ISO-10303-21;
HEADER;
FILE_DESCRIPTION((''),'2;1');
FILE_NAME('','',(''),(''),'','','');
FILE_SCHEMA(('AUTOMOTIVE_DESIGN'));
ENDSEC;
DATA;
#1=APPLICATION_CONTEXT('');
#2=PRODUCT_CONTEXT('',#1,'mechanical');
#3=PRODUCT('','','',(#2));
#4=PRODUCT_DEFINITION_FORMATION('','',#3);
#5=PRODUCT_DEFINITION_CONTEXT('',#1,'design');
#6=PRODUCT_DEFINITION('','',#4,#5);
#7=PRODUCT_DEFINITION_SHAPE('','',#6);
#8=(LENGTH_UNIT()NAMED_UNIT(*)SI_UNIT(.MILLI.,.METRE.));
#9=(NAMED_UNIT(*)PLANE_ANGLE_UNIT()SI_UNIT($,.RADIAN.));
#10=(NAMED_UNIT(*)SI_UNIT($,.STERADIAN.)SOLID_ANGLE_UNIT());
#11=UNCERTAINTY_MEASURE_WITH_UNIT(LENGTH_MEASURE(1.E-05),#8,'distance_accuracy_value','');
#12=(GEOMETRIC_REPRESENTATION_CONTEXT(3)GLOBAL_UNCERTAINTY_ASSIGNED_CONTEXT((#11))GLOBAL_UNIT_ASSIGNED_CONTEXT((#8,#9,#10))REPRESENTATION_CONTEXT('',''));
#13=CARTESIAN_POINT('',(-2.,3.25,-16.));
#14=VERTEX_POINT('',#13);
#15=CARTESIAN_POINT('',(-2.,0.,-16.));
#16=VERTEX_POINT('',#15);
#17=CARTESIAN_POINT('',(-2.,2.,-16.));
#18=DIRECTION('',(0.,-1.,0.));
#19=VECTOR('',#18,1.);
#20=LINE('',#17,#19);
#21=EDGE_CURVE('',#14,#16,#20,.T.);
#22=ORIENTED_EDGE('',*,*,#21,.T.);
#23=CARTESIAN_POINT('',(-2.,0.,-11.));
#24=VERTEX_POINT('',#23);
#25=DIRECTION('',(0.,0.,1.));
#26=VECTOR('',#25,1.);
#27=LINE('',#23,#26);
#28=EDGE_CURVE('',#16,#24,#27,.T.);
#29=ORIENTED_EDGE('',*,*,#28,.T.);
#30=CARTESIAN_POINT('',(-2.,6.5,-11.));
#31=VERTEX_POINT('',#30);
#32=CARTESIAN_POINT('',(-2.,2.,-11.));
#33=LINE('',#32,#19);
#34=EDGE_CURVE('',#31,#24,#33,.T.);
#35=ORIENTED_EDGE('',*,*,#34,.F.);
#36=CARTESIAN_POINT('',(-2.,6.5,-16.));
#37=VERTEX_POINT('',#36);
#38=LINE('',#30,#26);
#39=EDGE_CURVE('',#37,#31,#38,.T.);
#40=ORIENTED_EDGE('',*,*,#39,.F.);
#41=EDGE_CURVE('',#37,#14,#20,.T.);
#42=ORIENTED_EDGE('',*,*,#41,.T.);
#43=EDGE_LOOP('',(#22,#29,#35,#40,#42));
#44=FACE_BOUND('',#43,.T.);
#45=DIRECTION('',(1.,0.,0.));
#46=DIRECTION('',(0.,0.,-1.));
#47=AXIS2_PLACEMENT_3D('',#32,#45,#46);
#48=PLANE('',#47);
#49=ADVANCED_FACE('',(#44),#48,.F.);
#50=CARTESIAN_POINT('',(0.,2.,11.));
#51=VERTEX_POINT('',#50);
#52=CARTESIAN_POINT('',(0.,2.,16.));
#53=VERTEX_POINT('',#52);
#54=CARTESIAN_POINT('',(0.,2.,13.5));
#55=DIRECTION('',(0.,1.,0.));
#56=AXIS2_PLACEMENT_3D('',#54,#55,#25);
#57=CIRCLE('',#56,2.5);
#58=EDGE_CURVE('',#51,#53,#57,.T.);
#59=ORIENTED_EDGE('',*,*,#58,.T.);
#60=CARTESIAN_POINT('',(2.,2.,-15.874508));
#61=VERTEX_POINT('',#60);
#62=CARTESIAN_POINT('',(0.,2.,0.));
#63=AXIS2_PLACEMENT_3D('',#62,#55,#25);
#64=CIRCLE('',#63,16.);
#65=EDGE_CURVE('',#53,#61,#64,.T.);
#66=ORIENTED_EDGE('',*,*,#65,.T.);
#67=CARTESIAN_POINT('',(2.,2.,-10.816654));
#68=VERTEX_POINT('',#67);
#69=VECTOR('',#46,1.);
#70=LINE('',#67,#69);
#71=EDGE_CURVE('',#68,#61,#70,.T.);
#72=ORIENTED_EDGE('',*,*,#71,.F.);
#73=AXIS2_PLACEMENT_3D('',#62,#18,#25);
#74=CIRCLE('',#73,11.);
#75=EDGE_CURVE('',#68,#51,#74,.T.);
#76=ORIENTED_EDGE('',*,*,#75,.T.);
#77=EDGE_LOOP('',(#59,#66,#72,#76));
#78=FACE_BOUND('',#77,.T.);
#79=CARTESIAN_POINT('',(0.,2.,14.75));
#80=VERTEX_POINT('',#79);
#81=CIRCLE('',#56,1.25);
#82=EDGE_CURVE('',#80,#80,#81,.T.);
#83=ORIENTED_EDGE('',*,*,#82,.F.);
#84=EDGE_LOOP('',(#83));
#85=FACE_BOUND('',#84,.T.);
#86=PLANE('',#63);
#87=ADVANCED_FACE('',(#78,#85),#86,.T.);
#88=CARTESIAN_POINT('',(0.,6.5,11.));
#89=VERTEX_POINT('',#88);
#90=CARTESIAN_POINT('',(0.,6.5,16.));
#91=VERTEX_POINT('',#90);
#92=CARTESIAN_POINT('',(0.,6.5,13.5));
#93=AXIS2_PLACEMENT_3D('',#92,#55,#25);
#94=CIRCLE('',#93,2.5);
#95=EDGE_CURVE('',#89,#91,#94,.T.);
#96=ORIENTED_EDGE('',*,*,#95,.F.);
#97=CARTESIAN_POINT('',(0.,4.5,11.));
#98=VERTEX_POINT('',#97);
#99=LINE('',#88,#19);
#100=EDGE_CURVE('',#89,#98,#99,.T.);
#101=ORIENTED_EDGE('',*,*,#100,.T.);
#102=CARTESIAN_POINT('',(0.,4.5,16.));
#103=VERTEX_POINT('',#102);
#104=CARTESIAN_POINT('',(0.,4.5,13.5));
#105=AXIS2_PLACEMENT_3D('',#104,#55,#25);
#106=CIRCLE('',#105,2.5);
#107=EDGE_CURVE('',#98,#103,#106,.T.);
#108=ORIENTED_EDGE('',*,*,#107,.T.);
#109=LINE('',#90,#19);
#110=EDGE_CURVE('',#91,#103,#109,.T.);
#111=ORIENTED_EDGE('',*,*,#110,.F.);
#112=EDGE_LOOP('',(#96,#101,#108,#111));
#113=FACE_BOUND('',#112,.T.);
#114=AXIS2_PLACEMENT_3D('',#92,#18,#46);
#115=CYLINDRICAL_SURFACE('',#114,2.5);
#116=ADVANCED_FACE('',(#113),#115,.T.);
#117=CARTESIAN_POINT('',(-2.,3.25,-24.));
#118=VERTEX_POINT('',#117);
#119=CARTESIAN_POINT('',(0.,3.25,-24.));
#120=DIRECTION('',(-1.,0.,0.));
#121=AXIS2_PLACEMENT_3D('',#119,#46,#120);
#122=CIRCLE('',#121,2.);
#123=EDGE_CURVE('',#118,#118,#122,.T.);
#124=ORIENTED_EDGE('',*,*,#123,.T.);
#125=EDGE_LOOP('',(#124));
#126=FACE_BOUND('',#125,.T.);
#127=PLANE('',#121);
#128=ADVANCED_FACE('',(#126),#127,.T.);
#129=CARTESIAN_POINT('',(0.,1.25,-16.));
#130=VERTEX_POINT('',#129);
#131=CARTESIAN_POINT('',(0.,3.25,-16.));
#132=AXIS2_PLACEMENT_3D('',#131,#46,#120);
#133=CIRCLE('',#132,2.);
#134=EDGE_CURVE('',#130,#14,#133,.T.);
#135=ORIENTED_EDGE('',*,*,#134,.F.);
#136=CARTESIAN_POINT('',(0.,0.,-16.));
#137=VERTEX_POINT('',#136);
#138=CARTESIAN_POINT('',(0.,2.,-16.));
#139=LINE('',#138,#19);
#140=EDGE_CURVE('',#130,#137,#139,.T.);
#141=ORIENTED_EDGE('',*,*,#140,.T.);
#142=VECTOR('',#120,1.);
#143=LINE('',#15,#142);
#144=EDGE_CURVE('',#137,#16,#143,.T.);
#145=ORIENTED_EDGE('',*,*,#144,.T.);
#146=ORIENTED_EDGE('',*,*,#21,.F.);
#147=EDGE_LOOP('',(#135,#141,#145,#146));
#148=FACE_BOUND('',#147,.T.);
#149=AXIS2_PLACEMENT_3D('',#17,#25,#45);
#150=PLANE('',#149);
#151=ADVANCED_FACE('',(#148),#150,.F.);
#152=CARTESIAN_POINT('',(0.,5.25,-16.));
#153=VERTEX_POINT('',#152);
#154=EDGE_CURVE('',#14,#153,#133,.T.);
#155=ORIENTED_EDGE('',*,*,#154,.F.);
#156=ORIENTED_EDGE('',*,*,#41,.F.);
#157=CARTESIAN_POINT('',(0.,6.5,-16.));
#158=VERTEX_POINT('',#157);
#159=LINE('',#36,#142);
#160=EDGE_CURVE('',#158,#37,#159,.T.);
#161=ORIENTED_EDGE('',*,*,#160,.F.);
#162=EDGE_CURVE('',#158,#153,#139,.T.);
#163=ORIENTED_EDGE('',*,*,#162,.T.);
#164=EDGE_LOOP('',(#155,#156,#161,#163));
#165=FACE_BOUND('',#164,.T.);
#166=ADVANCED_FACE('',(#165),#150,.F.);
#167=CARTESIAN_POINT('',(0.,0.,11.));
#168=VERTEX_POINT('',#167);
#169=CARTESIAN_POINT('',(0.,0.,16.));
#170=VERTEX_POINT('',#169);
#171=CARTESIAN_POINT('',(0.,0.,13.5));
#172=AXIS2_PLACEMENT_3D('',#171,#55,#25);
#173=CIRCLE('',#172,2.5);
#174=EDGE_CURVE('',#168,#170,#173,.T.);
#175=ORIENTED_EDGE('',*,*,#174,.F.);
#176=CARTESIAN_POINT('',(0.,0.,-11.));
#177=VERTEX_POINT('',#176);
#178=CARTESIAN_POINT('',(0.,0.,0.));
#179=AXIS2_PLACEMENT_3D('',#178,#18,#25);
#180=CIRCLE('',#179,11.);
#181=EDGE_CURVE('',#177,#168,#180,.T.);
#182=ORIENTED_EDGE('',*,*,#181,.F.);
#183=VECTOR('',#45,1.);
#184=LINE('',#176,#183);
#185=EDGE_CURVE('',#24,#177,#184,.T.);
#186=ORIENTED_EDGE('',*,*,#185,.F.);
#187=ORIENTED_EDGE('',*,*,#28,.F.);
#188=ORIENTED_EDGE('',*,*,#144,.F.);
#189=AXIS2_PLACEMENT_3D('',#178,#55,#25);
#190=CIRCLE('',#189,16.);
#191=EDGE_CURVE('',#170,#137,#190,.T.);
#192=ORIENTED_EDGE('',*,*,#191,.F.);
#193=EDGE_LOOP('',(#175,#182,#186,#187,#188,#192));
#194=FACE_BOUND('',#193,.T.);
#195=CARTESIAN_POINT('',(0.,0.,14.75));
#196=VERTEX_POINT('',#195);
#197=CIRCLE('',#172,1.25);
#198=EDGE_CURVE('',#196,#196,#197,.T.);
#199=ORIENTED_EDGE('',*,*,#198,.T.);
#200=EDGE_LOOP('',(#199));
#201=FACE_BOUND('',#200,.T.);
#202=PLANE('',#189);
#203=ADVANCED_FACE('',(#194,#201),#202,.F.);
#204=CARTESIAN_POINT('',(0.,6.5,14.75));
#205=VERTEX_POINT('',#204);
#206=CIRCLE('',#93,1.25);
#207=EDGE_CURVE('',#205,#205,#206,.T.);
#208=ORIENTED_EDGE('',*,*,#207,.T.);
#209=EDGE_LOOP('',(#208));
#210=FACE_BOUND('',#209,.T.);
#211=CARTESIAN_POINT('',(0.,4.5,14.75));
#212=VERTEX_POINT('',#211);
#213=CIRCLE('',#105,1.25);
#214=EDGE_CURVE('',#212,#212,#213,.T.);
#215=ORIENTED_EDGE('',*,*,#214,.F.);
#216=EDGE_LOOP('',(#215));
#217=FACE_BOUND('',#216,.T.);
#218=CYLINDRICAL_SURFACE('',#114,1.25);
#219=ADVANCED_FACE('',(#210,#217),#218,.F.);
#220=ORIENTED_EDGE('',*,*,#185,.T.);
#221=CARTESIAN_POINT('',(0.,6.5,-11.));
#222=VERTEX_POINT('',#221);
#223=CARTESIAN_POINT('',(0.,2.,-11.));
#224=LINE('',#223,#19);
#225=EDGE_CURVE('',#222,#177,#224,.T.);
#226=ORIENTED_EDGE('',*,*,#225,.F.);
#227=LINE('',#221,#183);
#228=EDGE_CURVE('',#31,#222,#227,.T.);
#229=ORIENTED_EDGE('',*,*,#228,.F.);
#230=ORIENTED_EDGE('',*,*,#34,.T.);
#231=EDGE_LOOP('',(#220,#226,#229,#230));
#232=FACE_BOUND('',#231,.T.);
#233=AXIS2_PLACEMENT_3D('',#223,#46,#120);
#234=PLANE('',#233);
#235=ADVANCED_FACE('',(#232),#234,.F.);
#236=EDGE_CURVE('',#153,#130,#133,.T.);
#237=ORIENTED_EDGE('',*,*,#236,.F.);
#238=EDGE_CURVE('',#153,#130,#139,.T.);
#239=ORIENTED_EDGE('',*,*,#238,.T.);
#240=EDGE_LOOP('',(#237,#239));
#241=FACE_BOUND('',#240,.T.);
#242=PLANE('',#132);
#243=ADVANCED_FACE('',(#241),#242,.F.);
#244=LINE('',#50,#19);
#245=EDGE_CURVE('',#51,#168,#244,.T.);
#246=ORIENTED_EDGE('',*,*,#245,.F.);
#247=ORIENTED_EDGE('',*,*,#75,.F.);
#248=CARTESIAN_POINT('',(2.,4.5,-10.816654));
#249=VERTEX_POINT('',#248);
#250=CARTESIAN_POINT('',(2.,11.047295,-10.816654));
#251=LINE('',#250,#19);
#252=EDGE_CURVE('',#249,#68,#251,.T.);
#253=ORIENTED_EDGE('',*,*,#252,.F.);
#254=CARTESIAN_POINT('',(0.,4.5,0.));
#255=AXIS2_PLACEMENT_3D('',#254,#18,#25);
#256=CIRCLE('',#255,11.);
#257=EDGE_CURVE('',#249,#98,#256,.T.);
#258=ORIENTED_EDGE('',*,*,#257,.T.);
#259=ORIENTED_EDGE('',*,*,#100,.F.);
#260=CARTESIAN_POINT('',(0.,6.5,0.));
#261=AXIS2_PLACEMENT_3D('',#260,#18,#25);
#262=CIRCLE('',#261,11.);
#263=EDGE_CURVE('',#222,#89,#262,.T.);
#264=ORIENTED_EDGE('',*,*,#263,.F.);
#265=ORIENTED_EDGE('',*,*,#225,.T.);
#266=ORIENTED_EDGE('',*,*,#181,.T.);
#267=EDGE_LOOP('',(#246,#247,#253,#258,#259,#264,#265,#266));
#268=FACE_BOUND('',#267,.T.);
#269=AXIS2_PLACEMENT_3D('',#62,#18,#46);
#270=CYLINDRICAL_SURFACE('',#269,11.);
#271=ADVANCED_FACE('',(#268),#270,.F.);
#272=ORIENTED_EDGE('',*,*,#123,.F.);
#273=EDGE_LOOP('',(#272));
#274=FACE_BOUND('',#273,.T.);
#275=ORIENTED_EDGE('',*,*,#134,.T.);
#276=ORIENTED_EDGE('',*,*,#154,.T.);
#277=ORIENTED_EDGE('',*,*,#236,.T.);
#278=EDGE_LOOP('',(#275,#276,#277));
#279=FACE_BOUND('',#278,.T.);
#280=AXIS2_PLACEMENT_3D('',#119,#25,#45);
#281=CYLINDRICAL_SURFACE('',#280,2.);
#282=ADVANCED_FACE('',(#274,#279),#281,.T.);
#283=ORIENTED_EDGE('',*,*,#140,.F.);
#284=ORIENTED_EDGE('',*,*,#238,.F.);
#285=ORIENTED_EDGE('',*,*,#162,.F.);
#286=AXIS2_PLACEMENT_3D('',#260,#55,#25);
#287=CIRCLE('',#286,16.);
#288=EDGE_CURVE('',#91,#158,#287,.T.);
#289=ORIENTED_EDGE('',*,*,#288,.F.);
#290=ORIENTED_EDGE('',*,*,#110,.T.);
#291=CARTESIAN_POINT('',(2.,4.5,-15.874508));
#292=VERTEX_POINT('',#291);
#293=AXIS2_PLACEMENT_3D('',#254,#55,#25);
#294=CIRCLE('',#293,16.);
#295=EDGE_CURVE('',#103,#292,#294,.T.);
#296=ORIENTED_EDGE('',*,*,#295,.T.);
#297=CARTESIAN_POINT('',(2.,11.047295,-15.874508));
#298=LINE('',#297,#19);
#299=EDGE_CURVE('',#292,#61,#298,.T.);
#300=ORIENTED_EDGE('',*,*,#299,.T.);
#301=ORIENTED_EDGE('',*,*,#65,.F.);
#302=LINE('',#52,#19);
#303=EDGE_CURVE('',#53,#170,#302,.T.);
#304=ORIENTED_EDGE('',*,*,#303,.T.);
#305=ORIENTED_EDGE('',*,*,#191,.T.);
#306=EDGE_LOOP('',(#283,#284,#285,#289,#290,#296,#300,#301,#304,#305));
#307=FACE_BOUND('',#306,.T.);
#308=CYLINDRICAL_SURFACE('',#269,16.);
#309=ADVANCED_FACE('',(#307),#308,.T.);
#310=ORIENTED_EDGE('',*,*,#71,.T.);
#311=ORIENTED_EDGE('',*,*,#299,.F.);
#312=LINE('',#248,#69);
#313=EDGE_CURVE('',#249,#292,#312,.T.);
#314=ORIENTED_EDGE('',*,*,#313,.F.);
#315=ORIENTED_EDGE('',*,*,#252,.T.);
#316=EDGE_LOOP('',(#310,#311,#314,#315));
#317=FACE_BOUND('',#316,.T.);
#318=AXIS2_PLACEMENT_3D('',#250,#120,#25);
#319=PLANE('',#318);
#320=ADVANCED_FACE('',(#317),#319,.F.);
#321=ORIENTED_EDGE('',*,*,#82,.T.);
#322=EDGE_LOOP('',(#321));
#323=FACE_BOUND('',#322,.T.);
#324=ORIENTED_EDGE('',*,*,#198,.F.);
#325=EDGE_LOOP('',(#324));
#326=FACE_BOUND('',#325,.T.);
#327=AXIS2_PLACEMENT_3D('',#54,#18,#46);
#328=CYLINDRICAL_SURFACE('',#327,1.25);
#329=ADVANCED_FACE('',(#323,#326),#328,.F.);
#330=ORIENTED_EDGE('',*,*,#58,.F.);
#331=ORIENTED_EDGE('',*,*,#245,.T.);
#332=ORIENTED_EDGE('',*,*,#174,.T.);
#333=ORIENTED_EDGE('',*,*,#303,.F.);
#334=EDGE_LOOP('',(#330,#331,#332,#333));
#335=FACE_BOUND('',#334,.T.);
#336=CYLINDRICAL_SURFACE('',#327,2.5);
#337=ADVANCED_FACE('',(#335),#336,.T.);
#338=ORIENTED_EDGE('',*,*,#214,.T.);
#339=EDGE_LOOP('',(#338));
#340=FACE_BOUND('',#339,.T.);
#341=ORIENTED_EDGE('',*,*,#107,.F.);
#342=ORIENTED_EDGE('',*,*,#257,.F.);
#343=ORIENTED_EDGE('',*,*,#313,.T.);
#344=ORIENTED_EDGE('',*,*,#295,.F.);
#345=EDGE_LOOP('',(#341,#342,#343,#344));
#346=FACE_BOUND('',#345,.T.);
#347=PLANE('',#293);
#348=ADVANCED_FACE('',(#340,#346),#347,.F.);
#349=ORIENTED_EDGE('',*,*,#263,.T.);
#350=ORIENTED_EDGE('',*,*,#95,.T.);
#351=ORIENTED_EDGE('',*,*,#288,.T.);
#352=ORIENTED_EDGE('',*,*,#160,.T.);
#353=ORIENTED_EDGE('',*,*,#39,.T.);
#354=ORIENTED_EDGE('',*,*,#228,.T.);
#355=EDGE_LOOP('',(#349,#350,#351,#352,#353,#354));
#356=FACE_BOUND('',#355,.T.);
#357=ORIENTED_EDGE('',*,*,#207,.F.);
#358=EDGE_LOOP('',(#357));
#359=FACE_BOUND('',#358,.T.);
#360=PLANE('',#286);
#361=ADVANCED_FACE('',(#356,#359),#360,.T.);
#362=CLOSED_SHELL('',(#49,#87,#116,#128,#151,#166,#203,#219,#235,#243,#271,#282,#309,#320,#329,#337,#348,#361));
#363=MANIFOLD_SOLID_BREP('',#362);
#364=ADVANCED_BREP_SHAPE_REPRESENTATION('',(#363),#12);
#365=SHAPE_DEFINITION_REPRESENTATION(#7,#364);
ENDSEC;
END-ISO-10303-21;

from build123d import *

# Parameters (mm, degrees)
SKETCH1_R           = 1.25
BOSS_EXTRUDE1_DEPTH = 2
LPATTERN1_COUNT     = 2
LPATTERN1_PITCH     = 4.5
BOSS_EXTRUDE2_DEPTH = 2.5
SKETCH4_R           = 2
BOSS_EXTRUDE3_DEPTH = 8


with BuildPart() as part:
    # Sketch1 → Boss-Extrude1 (new body)
    with BuildSketch(Plane(origin=(0, 0, 0), x_dir=(1, 0, 0), z_dir=(0, 1, 0))):
        with BuildLine():
            Line((0, 11), (-2, 11))
            Line((-2, 11), (-2, 16))
            Line((-2, 16), (0, 16))
            ThreePointArc((0, 16), (16, 0), (0, -16))
            ThreePointArc((0, -16), (-2.5, -13.5), (0, -11))
            ThreePointArc((0, -11), (11, 0), (0, 11))
        make_face()
        with Locations(Location((0, -13.5, 0), (0, 0, 270))):
            Circle(SKETCH1_R, mode=Mode.SUBTRACT)
    extrude(amount=BOSS_EXTRUDE1_DEPTH)


with BuildPart() as lpattern1_1:
    # LPattern1: pattern copy
    add(part.part.moved(Location(Vector(0, 1, 0) * (1 * LPATTERN1_PITCH))))


with BuildPart() as part_1:
    add(part.part)

    add(lpattern1_1.part)  # Boss-Extrude2 merges LPattern1_1
    # Sketch3 → Boss-Extrude2 (add)
    with BuildSketch(Plane(origin=(0, 2, 0), x_dir=(1, 0, 0), z_dir=(0, 1, 0))):
        with BuildLine():
            Line((-2, 16), (-2, 11))
            Line((-2, 11), (0, 11))
            ThreePointArc((0, 11), (1.004193186, 10.954067557), (2, 10.816653826))
            Line((2, 10.816653826), (2, 15.874507866))
            ThreePointArc((2, 15.874507866), (1.001966601, 15.968596148), (0, 16))
            Line((0, 16), (-2, 16))
        make_face()
    extrude(amount=BOSS_EXTRUDE2_DEPTH)

    # Sketch4 → Boss-Extrude3 (add)
    with BuildSketch(Plane(origin=(0, 0, -16), x_dir=(-1, 0, 0), z_dir=(0, 0, -1))):
        with Locations((0, 3.25)):
            Circle(SKETCH4_R)
    extrude(amount=BOSS_EXTRUDE3_DEPTH)


solid = part_1.part
